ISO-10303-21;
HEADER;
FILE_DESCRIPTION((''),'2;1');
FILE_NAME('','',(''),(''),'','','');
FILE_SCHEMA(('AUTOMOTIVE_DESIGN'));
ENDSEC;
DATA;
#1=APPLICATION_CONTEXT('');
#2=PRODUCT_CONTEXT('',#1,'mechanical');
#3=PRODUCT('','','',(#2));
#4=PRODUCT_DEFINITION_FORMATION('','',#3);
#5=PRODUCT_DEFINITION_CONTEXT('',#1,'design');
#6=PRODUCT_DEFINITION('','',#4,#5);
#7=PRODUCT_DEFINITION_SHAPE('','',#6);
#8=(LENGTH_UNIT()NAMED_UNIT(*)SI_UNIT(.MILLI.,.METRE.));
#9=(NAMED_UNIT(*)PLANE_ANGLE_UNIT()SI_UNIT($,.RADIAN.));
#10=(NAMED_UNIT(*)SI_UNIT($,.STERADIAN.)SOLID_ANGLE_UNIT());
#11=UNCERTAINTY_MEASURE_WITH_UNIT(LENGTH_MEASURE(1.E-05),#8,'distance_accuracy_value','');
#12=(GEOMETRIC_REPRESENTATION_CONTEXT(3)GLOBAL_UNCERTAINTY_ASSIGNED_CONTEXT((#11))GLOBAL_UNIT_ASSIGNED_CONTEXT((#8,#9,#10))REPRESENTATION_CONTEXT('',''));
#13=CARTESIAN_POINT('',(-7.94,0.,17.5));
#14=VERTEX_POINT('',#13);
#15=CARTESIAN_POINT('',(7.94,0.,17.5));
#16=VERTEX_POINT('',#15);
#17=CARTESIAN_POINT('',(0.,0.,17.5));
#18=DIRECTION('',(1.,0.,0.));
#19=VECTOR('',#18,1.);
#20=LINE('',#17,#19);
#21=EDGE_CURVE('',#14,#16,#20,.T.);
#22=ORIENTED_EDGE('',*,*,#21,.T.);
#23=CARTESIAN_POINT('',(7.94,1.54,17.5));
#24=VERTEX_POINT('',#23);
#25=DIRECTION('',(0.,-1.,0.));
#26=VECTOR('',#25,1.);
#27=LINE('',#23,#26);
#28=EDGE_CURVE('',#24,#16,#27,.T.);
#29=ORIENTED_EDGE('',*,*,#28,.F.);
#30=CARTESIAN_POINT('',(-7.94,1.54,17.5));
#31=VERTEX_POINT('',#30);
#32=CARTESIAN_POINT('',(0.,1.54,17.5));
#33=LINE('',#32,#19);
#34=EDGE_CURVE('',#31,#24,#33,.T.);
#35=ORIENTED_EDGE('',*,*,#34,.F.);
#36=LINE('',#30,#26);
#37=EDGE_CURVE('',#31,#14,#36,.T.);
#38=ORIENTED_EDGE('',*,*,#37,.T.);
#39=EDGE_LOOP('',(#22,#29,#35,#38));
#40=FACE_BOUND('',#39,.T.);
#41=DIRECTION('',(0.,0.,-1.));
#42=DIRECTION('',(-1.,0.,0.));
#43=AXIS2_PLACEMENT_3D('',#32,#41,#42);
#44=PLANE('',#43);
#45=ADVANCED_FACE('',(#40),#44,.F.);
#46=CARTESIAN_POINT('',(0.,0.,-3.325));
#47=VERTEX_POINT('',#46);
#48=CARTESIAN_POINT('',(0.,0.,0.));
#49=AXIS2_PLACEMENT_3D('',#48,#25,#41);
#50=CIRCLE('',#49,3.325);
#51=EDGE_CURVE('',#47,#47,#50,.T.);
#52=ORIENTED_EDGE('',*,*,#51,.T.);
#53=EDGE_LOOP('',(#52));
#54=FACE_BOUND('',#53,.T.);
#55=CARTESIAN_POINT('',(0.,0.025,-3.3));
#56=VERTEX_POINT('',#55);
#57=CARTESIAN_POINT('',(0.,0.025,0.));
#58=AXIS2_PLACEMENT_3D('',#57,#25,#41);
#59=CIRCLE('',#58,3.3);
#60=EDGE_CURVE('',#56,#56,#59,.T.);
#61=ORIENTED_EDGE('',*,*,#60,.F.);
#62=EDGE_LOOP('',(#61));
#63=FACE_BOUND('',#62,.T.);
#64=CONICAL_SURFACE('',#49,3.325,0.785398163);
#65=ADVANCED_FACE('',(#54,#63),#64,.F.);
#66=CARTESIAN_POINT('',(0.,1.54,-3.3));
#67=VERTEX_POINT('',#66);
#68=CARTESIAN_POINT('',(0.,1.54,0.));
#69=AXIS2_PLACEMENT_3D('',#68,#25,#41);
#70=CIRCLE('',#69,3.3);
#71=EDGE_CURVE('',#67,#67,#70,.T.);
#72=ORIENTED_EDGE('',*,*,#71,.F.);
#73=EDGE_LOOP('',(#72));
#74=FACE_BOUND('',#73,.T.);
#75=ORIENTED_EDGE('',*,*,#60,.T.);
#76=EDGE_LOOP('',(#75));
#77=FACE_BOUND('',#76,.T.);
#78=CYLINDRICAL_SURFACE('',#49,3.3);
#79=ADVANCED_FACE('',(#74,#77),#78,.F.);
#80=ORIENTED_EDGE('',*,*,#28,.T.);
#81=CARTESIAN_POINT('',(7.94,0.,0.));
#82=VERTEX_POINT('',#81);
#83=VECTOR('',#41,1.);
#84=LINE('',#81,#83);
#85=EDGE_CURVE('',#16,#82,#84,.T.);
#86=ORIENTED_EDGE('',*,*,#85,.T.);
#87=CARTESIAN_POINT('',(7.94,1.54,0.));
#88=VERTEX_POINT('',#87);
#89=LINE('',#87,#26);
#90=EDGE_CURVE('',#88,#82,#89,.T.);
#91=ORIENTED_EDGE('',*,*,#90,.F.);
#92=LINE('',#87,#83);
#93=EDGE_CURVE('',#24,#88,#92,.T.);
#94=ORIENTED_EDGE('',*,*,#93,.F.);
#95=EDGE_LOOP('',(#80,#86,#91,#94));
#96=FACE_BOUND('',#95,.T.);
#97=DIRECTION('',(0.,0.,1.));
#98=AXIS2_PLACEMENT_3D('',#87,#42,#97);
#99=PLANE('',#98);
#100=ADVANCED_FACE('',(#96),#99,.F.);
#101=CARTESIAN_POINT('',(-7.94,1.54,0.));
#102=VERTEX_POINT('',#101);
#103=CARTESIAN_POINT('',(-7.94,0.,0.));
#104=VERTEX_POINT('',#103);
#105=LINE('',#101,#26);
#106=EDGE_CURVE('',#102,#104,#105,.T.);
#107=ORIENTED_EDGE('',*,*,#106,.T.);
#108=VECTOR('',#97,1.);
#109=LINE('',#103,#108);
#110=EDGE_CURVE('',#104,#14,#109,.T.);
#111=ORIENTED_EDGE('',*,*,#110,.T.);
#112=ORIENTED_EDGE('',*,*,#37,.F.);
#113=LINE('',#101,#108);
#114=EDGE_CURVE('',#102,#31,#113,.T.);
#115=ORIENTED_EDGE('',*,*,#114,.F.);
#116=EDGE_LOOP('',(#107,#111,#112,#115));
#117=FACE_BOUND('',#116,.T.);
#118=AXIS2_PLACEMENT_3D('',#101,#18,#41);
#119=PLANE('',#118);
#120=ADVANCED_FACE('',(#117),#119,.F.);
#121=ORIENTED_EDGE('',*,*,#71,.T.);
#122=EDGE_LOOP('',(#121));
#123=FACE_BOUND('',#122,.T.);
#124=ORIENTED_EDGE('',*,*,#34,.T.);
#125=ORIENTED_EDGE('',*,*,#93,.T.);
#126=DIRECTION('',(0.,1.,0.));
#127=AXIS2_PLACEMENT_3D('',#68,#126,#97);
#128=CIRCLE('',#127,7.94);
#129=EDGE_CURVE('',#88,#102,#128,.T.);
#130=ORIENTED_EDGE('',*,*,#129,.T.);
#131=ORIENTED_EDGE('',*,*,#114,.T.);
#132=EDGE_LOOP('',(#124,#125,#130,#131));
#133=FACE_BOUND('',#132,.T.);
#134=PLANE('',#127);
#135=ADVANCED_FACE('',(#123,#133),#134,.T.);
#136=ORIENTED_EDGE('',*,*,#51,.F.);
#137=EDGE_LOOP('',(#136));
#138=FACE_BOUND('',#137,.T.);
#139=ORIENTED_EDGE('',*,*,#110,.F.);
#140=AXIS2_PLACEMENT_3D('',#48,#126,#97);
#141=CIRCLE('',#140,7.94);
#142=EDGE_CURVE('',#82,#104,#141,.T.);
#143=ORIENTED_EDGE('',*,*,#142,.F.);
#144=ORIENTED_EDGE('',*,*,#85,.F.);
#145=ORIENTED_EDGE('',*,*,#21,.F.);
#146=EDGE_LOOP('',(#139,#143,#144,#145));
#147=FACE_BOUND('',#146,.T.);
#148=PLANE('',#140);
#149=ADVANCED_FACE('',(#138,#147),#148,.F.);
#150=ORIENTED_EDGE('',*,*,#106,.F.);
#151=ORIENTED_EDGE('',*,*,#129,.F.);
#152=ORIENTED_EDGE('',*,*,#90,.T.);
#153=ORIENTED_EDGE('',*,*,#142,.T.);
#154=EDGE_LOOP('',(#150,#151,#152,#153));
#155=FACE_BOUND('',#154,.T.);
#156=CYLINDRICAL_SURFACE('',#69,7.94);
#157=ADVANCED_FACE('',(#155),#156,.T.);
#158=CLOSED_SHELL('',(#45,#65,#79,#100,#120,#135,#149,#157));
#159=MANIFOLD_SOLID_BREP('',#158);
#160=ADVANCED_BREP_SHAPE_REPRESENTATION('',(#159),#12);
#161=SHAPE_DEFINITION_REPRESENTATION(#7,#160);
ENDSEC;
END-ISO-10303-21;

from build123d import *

# Parameters (mm, degrees)
SKETCH1_R           = 7.94
BOSS_EXTRUDE1_DEPTH = 1.54


with BuildPart() as part:
    # Sketch1 → Boss-Extrude1 (new body)
    with BuildSketch(Plane(origin=(0, 0, 0), x_dir=(1, 0, 0), z_dir=(0, 1, 0))):
        Circle(SKETCH1_R)
        with BuildLine():
            ThreePointArc((7.94, 0), (0, -7.94), (-7.94, 0))
            Line((-7.94, 0), (-7.94, -17.5))
            Line((-7.94, -17.5), (7.94, -17.5))
            Line((7.94, -17.5), (7.94, 0))
        make_face()
    extrude(amount=BOSS_EXTRUDE1_DEPTH)

    # Sketch3 → M6 Clearance Hole1 (revolve, cut)
    with BuildSketch(Plane(origin=(0, 0, 0), x_dir=(0, 0, -1), z_dir=(1, 0, 0))):
        Polygon((0, 0), (0, 1.54), (3.3, 1.54), (3.3, 0.025), (3.325, 0), align=None)
    revolve(axis=Axis((0, -6.35, 0), (0, 1, 0)), mode=Mode.SUBTRACT)


solid = part.part
